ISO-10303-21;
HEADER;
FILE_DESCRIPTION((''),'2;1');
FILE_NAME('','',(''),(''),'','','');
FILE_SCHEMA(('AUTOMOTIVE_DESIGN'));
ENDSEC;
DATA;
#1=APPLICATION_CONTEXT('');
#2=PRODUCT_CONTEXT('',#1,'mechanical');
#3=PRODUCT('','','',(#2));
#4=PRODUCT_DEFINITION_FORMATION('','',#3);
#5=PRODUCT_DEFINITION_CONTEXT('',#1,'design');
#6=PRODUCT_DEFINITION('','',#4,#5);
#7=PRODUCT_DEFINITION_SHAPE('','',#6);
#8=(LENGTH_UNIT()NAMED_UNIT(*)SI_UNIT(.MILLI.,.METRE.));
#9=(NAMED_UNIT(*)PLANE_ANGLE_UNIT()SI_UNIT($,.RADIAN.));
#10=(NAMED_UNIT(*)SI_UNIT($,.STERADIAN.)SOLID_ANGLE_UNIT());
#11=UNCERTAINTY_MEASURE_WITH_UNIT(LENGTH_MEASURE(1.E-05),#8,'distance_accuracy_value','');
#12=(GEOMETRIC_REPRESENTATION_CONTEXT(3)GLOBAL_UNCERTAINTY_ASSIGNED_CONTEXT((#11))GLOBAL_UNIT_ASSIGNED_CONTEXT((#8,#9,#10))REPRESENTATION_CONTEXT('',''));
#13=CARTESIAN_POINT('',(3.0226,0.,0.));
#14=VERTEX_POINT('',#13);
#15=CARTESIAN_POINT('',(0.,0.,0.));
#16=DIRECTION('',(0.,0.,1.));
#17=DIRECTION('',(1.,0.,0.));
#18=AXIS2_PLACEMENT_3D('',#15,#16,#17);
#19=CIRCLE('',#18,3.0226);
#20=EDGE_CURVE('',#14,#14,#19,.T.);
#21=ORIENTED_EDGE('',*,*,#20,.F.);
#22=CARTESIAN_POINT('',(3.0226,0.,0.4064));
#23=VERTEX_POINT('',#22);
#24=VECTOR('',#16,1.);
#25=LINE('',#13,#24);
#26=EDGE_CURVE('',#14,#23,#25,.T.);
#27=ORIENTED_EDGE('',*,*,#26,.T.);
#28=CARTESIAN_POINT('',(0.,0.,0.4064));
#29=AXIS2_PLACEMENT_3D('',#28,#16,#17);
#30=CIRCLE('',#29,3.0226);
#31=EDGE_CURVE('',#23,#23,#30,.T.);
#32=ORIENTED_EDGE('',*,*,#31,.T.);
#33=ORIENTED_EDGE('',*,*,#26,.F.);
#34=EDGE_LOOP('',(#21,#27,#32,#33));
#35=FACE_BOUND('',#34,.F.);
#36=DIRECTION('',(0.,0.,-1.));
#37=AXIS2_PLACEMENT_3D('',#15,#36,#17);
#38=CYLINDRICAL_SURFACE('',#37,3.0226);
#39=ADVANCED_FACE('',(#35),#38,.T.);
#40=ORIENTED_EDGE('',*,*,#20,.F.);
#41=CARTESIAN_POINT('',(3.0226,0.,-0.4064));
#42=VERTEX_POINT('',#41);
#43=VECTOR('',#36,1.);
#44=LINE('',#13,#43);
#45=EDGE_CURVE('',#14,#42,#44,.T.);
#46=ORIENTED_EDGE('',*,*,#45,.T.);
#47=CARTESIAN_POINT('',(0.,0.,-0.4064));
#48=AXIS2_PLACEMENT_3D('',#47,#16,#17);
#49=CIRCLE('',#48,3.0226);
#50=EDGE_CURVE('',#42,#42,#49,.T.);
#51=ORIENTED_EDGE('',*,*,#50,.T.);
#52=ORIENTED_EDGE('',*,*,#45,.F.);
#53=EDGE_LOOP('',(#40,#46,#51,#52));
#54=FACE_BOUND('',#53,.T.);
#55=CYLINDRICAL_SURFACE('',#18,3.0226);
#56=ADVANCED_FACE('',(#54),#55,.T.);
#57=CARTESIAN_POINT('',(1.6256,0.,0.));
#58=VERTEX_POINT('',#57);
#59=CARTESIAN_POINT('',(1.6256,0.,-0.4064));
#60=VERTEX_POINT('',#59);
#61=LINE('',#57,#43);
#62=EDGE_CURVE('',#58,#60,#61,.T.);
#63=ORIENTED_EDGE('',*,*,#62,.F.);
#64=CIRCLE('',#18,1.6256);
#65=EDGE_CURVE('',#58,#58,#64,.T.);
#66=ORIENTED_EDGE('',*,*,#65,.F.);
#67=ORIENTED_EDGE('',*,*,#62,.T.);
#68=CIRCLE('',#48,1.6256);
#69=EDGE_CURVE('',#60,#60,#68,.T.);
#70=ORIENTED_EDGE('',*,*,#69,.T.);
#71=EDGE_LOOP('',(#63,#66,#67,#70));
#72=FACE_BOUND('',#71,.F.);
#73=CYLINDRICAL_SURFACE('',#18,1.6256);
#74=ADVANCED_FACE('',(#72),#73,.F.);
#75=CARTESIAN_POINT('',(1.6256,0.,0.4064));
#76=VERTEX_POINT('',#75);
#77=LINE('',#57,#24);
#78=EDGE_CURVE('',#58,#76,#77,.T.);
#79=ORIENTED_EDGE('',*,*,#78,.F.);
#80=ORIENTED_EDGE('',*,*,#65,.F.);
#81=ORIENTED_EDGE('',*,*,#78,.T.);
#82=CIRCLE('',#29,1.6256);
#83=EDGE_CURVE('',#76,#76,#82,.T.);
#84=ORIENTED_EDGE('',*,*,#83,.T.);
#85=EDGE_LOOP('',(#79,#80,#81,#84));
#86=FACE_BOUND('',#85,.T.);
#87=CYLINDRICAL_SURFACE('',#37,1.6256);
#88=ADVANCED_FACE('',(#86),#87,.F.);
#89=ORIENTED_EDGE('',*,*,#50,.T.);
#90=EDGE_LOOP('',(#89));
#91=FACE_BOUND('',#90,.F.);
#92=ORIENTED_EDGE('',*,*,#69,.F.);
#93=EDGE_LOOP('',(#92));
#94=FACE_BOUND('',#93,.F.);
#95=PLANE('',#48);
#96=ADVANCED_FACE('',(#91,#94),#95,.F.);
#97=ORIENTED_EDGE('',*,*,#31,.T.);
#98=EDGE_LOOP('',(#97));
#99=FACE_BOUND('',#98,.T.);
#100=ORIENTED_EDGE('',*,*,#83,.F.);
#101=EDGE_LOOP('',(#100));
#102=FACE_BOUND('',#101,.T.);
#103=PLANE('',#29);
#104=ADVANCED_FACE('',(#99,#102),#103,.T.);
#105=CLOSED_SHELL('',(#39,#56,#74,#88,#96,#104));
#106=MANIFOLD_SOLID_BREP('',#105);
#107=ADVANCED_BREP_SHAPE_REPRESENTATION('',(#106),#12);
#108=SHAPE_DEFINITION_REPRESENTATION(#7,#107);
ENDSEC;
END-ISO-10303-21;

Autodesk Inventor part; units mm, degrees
ref_plane "YZ Plane" through (0, 0, 0) normal (1, 0, 0) x (0, 1, 0)
ref_plane "XZ Plane" through (0, 0, 0) normal (0, 1, 0) x (-1, 0, 0)
ref_plane "XY Plane" through (0, 0, 0) normal (0, 0, 1) x (1, 0, 0)
sketch "Sketch1" plane through (0, 0, 0) normal (0, 0, 1) x (1, 0, 0)
  circle A0 centre (0, 0) radius 1.6256
  circle A1 centre (0, 0) radius 3.0226
  dimension "d0" = 3.2512
  dimension "d1" = 6.0452
extrude "Extrusion1" add sketch "Sketch1" along normal mid plane 0.8128
properties part number "90945A713_NAS620C5_flat_washer"
